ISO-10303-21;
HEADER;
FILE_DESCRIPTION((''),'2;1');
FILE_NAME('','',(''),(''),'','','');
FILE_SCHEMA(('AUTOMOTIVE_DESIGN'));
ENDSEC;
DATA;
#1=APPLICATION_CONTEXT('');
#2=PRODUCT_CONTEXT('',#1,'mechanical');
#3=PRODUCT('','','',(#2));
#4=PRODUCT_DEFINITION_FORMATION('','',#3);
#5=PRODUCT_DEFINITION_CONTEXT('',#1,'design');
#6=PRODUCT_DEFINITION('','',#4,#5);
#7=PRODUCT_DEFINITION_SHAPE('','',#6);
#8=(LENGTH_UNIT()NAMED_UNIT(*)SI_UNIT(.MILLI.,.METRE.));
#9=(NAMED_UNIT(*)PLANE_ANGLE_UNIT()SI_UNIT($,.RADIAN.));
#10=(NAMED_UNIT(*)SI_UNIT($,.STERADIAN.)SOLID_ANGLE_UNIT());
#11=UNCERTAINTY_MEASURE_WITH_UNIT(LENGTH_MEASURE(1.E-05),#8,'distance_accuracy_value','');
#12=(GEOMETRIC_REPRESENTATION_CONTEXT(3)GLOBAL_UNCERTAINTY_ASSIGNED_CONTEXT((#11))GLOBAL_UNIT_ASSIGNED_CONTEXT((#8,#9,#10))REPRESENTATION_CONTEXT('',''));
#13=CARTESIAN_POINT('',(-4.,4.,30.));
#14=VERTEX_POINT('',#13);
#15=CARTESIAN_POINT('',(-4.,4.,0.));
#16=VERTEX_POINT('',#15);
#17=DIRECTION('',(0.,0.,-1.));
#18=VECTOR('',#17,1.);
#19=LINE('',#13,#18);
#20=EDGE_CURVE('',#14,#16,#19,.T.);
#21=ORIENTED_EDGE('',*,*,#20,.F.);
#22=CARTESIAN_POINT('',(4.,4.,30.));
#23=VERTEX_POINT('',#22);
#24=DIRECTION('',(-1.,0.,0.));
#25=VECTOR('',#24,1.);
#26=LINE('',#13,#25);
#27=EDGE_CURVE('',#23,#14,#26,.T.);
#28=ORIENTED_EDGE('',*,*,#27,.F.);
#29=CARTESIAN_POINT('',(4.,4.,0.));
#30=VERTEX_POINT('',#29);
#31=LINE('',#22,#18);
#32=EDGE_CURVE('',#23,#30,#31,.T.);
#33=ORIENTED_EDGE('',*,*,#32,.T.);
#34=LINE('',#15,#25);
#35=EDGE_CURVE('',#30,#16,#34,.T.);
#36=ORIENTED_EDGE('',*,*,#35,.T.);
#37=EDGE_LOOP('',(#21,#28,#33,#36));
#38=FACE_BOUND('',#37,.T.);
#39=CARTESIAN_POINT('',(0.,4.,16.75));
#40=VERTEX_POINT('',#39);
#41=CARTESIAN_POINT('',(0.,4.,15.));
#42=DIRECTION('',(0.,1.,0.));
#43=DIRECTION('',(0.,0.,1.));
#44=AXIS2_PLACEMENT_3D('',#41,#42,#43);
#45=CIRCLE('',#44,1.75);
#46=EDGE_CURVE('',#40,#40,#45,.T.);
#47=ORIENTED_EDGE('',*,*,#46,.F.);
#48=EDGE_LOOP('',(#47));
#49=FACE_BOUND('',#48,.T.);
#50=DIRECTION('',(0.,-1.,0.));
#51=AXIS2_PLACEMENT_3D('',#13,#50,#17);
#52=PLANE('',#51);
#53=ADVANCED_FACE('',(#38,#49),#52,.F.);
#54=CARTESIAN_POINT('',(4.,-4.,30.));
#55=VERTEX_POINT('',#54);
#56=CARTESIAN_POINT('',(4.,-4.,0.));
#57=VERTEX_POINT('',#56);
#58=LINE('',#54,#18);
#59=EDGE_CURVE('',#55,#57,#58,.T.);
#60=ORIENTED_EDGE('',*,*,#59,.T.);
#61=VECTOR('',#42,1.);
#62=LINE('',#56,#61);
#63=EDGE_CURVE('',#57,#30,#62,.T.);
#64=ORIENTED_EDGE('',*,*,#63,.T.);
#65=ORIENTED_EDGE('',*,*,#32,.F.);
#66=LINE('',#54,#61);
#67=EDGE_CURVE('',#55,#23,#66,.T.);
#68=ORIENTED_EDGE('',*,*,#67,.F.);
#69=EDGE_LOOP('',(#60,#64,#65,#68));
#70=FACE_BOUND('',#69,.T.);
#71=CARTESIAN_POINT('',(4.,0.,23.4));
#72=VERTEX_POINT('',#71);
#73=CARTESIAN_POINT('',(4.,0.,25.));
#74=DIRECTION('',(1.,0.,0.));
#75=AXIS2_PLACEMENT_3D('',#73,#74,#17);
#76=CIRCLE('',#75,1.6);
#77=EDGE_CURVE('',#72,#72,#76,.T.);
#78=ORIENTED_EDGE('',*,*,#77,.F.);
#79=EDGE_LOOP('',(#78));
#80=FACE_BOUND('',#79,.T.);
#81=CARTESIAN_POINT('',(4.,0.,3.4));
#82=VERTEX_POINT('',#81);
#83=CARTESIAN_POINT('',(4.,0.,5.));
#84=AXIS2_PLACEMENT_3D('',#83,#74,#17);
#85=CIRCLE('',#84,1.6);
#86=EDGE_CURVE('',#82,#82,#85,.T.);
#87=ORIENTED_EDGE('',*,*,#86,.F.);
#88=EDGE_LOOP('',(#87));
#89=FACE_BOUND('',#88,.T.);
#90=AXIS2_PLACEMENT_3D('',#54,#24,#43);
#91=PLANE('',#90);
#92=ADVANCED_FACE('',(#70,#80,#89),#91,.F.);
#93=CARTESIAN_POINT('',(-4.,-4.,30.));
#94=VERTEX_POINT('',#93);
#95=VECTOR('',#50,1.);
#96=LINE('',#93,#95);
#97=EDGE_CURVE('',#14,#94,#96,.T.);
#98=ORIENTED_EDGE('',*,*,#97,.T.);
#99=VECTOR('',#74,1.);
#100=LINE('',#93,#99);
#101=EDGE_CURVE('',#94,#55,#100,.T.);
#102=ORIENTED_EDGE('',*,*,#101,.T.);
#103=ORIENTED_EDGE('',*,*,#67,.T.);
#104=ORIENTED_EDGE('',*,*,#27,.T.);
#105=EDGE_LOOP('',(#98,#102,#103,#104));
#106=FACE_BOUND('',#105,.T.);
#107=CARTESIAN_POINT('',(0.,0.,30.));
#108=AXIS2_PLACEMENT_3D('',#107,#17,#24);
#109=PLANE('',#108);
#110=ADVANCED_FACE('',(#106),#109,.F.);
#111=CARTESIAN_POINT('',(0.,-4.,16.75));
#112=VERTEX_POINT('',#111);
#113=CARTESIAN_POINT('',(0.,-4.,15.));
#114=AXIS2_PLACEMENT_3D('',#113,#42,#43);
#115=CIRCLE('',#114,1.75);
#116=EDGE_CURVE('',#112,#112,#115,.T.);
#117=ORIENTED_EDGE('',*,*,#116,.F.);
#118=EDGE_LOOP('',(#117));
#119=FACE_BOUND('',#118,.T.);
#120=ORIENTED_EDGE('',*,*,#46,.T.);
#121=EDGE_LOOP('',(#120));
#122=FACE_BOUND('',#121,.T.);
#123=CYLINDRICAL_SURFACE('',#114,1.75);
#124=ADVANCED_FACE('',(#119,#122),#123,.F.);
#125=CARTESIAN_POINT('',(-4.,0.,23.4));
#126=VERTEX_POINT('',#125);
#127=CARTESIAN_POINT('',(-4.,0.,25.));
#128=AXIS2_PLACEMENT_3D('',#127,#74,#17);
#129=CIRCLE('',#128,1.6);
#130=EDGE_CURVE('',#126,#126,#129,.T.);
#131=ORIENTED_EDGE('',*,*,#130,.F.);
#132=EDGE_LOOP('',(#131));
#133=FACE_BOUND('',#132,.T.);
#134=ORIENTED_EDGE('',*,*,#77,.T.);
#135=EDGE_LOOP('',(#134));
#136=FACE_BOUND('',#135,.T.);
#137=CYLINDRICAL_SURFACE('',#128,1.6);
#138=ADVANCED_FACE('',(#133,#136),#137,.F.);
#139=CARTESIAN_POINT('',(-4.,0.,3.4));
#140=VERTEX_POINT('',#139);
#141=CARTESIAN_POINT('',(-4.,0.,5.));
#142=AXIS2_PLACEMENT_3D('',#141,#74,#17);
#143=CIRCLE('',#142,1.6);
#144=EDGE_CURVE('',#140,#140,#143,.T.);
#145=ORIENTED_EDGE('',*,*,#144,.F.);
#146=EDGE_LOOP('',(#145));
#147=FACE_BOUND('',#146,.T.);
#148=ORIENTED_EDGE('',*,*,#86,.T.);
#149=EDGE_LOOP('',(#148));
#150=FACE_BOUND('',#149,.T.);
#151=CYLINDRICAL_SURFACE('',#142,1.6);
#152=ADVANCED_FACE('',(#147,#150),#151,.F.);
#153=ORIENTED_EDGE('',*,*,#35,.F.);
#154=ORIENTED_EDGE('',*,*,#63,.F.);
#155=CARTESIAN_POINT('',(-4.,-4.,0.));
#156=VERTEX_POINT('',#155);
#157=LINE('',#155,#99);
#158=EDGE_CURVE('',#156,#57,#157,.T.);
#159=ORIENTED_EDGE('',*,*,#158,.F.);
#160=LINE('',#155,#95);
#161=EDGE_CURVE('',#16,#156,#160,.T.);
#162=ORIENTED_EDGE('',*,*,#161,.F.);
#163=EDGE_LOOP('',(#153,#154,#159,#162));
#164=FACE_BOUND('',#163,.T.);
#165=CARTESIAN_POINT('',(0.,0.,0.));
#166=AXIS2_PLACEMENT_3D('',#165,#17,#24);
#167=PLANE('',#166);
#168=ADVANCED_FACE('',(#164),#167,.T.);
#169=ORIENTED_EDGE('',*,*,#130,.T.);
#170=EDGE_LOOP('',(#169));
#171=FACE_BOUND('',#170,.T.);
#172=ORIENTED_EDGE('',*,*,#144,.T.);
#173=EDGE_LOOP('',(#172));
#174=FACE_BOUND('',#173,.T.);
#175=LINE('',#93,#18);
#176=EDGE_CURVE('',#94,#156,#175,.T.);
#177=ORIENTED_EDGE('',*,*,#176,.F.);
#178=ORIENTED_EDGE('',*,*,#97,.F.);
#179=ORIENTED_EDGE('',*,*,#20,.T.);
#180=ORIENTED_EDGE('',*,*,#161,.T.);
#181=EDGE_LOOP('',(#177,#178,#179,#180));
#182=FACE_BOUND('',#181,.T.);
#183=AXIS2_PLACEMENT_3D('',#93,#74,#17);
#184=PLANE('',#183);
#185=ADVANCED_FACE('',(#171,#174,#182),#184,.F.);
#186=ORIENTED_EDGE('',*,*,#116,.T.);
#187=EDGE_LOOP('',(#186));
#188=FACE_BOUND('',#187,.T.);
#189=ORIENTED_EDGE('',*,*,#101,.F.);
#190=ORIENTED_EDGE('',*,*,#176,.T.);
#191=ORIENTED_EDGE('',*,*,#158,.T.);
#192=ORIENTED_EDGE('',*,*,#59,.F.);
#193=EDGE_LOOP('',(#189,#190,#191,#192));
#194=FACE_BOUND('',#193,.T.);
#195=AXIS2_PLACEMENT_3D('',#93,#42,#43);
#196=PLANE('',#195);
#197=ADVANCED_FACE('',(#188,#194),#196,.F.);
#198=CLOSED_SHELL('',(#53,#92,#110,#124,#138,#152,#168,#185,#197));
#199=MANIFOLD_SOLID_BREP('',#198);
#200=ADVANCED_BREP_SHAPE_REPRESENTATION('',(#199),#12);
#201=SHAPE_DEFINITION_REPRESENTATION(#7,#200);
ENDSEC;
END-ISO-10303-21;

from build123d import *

# Parameters (mm, degrees)
SKETCH_2_W          = 8
SKETCH_2_H          = 8
EXTRUDE_1_DEPTH     = 30
SKETCH_3_R          = 1.75
CUT_EXTRUDE_1_DEPTH = 32.304951685
SKETCH_4_R          = 1.6
CUT_EXTRUDE_2_DEPTH = 32.304951685


with BuildPart() as part:
    # 草图2 → 凸台-拉伸1 (new body)
    with BuildSketch(Plane.XY):
        Rectangle(SKETCH_2_W, SKETCH_2_H)
    extrude(amount=EXTRUDE_1_DEPTH)

    # 草图3 → 切除-拉伸1 (cut, through all)
    with BuildSketch(Plane(origin=(0, 4, 0), x_dir=(1, 0, 0), z_dir=(0, 1, 0))):
        with Locations(Location((0, -15, 0), (0, 0, 270))):
            Circle(SKETCH_3_R)
    extrude(amount=-CUT_EXTRUDE_1_DEPTH, mode=Mode.SUBTRACT)

    # 草图4 → 切除-拉伸2 (cut, through all)
    with BuildSketch(Plane(origin=(4, 0, 0), x_dir=(0, 0, -1), z_dir=(1, 0, 0))):
        with Locations((-25, 0)):
            Circle(SKETCH_4_R)
        with Locations((-5, 0)):
            Circle(SKETCH_4_R)
    extrude(amount=-CUT_EXTRUDE_2_DEPTH, mode=Mode.SUBTRACT)


solid = part.part
